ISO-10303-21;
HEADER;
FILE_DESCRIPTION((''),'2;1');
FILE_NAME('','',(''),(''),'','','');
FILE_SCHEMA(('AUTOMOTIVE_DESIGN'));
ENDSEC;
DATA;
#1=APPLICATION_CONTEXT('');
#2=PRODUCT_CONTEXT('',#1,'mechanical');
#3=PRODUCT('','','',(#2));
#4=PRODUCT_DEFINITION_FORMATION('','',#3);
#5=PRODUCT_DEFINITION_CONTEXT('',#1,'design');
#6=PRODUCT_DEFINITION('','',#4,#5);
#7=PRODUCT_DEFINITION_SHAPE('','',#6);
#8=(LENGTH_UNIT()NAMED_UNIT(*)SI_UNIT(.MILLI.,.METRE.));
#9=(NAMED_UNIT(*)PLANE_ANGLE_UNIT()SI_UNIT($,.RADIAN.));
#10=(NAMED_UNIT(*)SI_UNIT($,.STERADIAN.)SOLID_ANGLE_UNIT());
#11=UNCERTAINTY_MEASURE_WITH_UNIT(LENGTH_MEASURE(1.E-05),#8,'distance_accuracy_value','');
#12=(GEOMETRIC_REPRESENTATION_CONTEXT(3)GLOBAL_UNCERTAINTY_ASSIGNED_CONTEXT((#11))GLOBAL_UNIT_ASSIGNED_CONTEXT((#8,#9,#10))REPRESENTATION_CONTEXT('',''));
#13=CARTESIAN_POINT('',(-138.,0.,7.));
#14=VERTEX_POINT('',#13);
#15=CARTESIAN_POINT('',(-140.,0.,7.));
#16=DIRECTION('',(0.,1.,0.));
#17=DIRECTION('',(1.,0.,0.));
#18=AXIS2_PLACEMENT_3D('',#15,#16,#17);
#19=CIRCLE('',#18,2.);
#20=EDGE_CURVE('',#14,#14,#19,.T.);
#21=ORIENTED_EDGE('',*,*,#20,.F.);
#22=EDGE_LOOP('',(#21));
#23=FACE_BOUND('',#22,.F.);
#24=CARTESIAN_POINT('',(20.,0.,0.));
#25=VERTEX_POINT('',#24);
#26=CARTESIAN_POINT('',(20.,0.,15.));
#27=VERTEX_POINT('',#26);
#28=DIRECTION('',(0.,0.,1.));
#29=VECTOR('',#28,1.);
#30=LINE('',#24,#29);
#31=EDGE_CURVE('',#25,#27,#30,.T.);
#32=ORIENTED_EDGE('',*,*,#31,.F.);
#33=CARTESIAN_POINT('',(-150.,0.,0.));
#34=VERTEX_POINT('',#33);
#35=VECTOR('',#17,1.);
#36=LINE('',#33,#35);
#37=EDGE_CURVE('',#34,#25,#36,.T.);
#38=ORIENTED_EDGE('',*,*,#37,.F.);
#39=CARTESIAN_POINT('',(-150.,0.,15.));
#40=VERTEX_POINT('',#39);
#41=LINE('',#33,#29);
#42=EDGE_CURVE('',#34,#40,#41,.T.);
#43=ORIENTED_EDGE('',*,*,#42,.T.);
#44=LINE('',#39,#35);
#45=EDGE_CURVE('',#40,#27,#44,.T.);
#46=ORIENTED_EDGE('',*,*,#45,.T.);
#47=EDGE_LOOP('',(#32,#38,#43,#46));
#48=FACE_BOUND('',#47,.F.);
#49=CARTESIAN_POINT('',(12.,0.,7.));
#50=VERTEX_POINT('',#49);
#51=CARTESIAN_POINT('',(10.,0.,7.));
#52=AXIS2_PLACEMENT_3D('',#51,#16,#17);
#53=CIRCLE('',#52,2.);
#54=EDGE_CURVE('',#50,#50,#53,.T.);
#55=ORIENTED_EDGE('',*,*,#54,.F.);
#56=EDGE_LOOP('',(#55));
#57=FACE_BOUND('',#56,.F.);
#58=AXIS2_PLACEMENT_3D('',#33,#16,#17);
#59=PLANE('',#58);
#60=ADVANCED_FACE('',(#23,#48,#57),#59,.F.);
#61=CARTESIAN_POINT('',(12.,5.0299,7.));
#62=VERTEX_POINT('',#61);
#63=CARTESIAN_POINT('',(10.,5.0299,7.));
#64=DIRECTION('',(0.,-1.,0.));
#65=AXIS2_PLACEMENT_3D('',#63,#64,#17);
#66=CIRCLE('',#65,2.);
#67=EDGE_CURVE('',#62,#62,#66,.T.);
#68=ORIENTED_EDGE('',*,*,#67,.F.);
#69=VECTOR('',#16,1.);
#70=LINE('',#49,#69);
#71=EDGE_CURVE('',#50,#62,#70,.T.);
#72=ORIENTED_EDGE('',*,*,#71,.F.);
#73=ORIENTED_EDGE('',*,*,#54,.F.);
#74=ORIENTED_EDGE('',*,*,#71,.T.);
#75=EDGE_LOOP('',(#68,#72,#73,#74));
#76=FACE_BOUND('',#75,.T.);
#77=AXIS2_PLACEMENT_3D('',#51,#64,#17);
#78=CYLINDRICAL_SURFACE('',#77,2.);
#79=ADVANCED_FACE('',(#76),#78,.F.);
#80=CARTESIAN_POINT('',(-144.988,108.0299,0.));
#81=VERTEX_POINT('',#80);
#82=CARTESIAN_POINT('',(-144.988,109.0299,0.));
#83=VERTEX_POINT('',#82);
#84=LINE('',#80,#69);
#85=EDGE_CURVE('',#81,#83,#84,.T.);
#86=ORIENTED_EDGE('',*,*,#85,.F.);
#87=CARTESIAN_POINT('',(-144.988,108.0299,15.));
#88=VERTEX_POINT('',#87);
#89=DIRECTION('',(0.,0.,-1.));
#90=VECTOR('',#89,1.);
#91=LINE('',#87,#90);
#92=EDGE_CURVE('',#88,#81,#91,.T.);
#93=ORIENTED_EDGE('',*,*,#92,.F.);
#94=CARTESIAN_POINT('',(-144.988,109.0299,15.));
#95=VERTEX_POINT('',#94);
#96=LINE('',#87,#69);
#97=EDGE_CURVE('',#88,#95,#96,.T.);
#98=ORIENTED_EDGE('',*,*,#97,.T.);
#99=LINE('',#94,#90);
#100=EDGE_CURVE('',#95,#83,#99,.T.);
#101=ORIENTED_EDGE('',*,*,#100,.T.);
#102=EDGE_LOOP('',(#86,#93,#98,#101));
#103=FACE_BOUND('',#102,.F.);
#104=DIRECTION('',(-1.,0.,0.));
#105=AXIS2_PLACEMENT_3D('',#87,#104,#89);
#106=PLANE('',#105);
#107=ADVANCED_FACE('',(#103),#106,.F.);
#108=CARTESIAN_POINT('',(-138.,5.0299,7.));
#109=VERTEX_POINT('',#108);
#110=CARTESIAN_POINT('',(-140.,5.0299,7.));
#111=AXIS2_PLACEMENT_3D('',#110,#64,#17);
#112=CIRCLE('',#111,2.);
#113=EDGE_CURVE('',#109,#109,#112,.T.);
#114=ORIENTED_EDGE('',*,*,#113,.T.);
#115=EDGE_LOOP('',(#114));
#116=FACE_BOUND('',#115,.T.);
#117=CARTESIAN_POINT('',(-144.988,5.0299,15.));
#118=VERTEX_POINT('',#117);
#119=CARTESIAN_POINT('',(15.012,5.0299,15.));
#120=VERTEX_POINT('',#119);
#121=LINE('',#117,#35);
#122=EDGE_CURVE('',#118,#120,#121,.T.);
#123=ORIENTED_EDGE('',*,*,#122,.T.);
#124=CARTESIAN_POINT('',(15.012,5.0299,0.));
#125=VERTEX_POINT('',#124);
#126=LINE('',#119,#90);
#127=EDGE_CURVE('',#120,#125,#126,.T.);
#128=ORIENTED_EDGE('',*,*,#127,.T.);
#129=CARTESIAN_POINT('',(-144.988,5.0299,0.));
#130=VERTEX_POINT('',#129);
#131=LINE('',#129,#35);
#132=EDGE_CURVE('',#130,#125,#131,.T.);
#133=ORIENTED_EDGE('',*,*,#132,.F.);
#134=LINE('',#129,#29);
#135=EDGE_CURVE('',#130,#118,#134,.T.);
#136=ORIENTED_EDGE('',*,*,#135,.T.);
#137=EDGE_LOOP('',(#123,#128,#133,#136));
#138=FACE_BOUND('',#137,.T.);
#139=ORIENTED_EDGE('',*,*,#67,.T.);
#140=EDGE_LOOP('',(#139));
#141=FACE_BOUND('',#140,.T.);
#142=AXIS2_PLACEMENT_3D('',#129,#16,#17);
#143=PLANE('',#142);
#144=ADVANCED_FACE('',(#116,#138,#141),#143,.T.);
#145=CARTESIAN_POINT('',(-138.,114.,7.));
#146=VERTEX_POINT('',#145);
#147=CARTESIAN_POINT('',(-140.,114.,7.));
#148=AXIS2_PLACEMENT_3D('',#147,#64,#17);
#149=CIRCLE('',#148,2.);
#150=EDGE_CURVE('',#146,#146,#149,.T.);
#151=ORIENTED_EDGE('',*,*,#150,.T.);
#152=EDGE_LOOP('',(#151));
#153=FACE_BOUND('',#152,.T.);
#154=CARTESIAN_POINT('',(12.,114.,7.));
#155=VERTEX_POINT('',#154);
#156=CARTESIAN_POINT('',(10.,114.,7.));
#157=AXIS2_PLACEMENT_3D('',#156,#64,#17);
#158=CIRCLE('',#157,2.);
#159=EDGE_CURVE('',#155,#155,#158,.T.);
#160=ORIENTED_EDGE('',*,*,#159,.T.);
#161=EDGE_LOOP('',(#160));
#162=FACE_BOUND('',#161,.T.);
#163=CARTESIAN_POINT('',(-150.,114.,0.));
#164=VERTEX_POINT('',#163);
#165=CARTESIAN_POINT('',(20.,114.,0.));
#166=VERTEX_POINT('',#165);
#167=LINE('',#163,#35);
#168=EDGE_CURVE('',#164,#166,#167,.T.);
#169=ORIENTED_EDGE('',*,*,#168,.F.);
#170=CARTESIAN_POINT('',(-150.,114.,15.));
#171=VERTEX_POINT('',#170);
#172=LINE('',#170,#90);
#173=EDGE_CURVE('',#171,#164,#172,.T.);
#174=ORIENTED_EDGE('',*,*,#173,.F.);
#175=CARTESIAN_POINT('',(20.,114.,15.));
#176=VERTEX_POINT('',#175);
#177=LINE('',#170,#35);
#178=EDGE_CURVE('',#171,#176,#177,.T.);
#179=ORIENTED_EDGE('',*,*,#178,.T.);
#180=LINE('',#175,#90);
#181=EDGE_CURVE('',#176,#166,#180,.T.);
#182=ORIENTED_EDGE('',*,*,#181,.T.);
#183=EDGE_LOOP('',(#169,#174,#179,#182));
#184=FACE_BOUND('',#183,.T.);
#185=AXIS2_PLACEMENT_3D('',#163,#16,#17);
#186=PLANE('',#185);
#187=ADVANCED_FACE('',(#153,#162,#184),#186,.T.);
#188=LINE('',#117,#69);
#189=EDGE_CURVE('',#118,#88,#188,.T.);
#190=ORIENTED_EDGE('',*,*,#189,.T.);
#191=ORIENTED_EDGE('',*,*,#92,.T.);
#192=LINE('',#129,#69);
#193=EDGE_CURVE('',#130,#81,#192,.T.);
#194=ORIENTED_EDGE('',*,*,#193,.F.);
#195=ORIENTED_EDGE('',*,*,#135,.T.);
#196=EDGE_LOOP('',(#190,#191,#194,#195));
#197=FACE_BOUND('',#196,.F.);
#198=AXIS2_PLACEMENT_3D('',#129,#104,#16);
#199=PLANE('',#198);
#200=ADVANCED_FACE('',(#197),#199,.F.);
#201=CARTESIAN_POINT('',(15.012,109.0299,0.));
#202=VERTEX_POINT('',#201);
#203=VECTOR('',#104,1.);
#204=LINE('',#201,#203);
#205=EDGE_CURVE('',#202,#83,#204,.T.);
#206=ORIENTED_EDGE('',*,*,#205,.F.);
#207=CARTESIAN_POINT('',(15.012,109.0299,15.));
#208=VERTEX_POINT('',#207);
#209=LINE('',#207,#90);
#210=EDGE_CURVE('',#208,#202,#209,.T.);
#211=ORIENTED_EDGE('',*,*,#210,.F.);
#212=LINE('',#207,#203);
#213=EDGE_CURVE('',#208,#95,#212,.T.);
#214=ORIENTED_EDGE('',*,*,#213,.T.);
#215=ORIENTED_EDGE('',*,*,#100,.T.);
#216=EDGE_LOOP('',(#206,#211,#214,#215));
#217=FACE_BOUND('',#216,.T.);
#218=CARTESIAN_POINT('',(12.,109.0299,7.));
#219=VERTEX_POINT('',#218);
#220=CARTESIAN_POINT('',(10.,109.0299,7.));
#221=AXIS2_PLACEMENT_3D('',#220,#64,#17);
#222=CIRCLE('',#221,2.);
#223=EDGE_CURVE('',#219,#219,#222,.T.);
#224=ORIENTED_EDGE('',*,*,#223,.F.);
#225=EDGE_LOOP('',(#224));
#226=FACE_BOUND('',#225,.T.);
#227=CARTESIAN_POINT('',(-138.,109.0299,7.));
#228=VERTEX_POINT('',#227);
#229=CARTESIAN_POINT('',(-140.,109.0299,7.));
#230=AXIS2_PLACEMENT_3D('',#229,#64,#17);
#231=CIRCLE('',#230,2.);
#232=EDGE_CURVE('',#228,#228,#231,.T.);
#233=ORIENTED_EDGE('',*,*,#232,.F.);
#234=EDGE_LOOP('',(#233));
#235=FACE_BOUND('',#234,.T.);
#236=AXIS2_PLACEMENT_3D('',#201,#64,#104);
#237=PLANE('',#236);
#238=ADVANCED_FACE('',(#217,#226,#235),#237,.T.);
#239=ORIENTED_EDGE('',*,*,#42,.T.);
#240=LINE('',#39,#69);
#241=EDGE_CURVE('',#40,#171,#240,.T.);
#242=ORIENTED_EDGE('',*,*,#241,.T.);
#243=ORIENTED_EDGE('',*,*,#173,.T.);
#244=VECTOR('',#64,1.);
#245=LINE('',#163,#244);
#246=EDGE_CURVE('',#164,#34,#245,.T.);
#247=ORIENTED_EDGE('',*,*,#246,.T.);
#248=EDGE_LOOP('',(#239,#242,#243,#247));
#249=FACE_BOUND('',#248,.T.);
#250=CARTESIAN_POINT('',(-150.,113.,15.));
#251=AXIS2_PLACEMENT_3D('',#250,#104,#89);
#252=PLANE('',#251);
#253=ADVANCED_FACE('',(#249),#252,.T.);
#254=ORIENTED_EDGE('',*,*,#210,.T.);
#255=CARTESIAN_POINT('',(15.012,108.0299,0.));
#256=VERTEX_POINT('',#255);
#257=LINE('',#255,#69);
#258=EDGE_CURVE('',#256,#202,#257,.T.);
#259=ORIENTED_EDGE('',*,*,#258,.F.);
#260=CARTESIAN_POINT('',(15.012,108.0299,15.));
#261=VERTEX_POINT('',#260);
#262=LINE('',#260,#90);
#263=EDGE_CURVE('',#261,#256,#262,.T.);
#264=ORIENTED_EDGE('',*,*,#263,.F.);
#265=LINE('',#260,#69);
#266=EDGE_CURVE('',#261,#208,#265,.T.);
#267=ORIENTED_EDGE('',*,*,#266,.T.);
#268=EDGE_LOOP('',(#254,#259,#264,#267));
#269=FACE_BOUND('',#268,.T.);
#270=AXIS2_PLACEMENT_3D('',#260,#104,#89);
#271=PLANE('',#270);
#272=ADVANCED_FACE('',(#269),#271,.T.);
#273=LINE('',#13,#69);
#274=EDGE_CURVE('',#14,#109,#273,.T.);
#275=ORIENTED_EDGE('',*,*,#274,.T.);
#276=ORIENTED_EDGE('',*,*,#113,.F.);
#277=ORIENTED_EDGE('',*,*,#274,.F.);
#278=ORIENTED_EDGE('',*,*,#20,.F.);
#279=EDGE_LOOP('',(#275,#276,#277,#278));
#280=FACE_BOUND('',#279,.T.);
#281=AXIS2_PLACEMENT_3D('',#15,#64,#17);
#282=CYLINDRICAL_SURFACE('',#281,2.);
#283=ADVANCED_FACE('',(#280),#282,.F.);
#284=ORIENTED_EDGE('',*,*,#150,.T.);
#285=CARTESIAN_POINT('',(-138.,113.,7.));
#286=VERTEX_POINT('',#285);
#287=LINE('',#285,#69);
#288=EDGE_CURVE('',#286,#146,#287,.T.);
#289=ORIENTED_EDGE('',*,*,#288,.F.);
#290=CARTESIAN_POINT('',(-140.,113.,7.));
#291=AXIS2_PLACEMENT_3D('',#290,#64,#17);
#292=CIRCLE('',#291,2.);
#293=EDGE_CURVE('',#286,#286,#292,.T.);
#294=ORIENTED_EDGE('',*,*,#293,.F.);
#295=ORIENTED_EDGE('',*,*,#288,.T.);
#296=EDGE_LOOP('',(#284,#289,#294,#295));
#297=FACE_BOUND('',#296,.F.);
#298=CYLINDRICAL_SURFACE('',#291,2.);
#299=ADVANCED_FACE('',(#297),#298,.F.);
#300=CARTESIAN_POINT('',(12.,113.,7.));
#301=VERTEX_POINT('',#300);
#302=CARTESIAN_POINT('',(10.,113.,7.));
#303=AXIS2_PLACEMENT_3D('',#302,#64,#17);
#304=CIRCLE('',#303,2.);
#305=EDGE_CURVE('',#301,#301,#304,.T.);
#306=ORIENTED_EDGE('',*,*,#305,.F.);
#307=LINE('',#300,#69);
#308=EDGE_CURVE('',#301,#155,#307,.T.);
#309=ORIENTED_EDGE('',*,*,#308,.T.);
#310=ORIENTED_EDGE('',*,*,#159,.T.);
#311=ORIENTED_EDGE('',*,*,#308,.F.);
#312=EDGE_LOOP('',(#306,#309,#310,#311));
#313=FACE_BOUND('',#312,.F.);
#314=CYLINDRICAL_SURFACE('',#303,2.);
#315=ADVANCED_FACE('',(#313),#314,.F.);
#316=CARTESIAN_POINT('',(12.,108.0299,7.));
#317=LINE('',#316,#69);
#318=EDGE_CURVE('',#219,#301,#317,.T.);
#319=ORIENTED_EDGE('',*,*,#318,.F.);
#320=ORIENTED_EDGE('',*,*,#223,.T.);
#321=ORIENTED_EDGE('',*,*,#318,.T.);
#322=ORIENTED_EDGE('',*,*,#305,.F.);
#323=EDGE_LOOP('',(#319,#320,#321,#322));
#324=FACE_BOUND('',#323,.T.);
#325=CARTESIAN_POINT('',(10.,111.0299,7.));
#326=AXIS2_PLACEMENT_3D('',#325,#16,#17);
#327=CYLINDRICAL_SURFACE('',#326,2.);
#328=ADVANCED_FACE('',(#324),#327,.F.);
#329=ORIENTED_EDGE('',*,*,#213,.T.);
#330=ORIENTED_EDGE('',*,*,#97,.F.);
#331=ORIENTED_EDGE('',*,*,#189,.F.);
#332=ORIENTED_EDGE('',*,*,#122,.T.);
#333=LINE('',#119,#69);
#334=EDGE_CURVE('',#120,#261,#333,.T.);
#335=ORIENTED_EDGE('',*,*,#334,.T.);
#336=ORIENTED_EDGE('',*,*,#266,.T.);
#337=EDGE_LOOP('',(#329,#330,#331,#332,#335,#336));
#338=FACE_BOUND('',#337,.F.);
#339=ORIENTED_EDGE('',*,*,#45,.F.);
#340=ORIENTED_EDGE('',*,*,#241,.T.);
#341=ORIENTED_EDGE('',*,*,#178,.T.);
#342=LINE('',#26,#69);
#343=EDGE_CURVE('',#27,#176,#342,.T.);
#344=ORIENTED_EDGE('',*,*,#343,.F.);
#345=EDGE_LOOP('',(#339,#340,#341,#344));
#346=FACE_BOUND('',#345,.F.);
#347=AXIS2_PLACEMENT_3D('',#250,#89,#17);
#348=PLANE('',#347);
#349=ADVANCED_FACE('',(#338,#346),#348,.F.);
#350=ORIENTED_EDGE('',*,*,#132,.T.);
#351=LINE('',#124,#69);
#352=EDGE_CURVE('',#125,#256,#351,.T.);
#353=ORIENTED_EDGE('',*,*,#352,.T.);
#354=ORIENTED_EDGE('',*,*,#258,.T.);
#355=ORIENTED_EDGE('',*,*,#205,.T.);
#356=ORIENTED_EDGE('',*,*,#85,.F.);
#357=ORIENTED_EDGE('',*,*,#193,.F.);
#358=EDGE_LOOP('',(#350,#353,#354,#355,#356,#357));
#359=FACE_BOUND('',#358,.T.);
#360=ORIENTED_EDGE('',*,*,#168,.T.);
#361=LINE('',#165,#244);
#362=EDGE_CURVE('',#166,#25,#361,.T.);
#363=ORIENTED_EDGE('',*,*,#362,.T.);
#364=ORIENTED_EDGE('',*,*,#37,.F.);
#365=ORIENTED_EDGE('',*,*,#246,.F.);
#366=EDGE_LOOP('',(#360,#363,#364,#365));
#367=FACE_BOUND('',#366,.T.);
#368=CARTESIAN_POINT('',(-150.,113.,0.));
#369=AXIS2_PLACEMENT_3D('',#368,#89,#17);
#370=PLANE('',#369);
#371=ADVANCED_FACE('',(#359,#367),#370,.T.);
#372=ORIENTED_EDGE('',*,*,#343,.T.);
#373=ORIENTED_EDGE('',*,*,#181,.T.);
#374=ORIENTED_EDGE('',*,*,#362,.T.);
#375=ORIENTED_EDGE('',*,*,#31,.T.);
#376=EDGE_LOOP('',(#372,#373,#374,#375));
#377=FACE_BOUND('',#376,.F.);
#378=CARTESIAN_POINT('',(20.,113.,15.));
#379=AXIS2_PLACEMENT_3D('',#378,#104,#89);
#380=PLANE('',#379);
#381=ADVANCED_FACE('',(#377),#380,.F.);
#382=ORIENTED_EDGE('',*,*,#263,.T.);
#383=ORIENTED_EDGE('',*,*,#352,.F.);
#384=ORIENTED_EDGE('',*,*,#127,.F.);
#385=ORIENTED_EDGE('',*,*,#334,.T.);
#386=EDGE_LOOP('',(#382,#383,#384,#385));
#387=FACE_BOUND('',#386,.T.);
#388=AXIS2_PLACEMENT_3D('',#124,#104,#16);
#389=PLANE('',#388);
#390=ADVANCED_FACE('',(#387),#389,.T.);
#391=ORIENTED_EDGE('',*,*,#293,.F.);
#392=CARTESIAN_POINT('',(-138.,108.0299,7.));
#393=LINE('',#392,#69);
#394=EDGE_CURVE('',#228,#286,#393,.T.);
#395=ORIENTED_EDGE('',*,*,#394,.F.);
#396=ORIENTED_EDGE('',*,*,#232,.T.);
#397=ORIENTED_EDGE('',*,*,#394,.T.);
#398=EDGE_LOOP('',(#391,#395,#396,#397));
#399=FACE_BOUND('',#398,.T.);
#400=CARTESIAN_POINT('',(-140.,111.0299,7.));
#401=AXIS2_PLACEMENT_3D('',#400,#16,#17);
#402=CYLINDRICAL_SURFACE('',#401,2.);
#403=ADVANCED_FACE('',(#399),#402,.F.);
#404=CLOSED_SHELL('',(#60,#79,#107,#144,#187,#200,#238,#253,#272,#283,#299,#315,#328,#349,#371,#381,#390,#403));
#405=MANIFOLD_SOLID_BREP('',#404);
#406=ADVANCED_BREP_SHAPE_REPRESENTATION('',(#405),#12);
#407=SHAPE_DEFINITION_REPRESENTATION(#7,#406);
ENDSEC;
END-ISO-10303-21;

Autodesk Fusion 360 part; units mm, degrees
sketch "jig" plane through (0, 0, 0) normal (0, 0, 1) x (1, 0, 0)
  line L0 (-150, 0) -> (20, 0)
  line L1 (-150, 0) -> (-150, 116)
  line L2 (-150, 116) -> (20, 116)
  line L3 (20, 116) -> (20, 0)
  line L4 (-144.988, 5.0299) -> (15.012, 5.0299)
  line L5 (-144.988, 5.0299) -> (-144.988, 111.0299)
  line L6 (15.012, 5.0299) -> (15.012, 111.0299)
  line L7 (15.012, 111.0299) -> (-144.988, 111.0299)
  dimension "d1" = 170
  dimension "d2" = 116
  dimension "d3" = 170
  dimension "d4" = 160
  dimension "d5" = 106
  dimension "d6" = 106
extrude "Extrude1" add sketch "jig" along normal blind 10
extrude "Extrude2" add 1 faces at (-91.6627, 1.6766, 10) along direction (0, 0, 1) blind 5
sketch "bolt holes" plane through (0, 0, 0) normal (0, 1, 0) x (1, 0, 0)
  circle A0 centre (10, -7) radius 2
  circle A1 centre (-140, -7) radius 2
  dimension "d11" = 4
  dimension "d12" = 4
extrude "Extrude3" cut sketch "bolt holes" along normal blind 130 contours A1
extrude "Extrude4" cut sketch "bolt holes" along normal blind 140 contours A0
extrude "Extrude5" add 1 faces at (-40.4634, 111.0299, 12.8047) along direction (0, -1, 0) blind 3
extrude "Extrude6" cut 1 faces at (-147.3309, 116, 7.3899) along direction (0, -1, 0) blind 3
extrude "Extrude7" add 1 faces at (-147.3309, 113, 7.3899) along direction (0, 1, 0) blind 1
extrude "Extrude8" cut 1 faces at (-40.4634, 108.0299, 12.8047) along direction (0, 1, 0) blind 1
